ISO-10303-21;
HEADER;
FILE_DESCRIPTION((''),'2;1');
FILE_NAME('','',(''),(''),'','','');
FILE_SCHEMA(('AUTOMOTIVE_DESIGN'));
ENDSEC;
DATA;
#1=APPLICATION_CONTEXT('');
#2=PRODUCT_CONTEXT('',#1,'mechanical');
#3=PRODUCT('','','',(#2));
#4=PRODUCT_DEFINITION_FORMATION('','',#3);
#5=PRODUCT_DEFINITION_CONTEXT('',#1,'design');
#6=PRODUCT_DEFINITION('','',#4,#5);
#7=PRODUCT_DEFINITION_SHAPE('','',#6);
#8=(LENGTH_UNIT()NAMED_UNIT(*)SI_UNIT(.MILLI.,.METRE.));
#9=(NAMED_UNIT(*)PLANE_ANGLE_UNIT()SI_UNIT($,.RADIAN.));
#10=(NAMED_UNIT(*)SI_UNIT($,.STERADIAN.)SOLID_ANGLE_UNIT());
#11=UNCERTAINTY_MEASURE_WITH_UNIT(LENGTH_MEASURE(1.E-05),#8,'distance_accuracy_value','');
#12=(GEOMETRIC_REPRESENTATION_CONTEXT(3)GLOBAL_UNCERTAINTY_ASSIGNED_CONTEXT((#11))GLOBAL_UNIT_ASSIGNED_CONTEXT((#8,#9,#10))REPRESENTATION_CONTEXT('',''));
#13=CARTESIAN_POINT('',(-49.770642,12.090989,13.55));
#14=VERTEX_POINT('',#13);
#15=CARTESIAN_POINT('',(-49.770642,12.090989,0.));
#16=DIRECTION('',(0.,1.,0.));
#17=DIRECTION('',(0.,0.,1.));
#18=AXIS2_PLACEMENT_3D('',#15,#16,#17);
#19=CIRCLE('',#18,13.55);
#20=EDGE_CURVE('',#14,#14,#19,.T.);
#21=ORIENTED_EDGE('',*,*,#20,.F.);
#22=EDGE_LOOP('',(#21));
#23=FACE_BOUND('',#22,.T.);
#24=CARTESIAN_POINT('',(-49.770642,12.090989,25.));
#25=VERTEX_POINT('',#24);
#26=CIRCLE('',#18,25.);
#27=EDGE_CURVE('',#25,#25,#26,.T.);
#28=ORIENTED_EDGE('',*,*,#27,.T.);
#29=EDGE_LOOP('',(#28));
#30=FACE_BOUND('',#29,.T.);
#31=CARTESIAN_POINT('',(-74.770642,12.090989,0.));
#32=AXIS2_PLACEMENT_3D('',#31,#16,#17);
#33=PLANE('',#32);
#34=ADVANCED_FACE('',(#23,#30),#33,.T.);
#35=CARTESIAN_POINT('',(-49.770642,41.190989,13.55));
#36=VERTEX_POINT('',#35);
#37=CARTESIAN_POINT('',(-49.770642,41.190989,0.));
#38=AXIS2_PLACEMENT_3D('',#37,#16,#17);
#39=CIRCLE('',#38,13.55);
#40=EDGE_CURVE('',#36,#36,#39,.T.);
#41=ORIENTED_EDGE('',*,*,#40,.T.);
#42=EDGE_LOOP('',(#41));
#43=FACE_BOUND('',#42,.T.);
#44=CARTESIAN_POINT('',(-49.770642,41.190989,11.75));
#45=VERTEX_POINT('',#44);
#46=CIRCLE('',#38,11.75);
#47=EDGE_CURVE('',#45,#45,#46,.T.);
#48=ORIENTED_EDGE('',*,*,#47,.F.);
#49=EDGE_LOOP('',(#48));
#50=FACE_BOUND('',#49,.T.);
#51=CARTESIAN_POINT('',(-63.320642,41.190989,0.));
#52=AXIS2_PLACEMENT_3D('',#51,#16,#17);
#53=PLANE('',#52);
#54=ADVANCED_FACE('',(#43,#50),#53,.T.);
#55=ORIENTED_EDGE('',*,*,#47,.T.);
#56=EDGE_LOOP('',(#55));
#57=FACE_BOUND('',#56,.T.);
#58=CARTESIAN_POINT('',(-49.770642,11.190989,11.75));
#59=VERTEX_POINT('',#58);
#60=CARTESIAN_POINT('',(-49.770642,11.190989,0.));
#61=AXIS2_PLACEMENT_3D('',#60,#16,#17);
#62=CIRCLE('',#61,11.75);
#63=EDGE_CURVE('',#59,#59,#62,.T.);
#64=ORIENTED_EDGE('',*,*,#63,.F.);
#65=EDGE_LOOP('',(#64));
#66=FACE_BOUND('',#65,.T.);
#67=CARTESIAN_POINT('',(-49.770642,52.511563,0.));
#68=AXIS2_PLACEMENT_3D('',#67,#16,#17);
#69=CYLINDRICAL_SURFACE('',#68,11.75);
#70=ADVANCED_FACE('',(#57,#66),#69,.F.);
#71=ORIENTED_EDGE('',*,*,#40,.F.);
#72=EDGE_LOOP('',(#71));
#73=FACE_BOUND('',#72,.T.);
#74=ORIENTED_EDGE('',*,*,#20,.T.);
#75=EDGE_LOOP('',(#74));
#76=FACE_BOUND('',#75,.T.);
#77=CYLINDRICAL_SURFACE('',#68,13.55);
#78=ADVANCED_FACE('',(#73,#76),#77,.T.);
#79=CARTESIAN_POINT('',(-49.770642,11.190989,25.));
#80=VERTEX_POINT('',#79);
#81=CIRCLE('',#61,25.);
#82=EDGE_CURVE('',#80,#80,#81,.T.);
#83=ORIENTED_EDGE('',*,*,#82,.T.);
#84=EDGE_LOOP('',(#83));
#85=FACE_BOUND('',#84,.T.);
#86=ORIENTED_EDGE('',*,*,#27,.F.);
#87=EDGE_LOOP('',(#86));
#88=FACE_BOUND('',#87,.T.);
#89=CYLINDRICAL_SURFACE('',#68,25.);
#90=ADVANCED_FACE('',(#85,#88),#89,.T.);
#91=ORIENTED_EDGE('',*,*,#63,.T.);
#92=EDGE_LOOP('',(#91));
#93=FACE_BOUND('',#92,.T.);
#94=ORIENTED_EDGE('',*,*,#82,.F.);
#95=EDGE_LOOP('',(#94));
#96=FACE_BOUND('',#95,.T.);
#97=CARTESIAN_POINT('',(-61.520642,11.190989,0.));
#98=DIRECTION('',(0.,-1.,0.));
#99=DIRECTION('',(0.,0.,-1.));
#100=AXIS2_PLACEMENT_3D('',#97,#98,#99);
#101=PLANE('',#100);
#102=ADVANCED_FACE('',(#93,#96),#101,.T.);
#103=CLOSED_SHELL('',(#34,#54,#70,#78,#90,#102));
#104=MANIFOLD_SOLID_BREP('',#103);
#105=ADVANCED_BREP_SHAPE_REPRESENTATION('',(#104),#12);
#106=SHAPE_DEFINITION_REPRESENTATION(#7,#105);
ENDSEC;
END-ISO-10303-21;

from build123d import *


with BuildPart() as part:
    # Croquis1 → Revolución1 (revolve)
    with BuildSketch(Plane.XY):
        Polygon((-61.52064239, 11.190988836), (-74.77064239, 11.190988836), (-74.77064239, 12.090988836), (-63.32064239, 12.090988836), (-63.32064239, 41.190988836), (-61.52064239, 41.190988836), align=None)
    revolve(axis=Axis((-49.77064239, 52.511562998, 0), (0, -1, 0)))


solid = part.part
